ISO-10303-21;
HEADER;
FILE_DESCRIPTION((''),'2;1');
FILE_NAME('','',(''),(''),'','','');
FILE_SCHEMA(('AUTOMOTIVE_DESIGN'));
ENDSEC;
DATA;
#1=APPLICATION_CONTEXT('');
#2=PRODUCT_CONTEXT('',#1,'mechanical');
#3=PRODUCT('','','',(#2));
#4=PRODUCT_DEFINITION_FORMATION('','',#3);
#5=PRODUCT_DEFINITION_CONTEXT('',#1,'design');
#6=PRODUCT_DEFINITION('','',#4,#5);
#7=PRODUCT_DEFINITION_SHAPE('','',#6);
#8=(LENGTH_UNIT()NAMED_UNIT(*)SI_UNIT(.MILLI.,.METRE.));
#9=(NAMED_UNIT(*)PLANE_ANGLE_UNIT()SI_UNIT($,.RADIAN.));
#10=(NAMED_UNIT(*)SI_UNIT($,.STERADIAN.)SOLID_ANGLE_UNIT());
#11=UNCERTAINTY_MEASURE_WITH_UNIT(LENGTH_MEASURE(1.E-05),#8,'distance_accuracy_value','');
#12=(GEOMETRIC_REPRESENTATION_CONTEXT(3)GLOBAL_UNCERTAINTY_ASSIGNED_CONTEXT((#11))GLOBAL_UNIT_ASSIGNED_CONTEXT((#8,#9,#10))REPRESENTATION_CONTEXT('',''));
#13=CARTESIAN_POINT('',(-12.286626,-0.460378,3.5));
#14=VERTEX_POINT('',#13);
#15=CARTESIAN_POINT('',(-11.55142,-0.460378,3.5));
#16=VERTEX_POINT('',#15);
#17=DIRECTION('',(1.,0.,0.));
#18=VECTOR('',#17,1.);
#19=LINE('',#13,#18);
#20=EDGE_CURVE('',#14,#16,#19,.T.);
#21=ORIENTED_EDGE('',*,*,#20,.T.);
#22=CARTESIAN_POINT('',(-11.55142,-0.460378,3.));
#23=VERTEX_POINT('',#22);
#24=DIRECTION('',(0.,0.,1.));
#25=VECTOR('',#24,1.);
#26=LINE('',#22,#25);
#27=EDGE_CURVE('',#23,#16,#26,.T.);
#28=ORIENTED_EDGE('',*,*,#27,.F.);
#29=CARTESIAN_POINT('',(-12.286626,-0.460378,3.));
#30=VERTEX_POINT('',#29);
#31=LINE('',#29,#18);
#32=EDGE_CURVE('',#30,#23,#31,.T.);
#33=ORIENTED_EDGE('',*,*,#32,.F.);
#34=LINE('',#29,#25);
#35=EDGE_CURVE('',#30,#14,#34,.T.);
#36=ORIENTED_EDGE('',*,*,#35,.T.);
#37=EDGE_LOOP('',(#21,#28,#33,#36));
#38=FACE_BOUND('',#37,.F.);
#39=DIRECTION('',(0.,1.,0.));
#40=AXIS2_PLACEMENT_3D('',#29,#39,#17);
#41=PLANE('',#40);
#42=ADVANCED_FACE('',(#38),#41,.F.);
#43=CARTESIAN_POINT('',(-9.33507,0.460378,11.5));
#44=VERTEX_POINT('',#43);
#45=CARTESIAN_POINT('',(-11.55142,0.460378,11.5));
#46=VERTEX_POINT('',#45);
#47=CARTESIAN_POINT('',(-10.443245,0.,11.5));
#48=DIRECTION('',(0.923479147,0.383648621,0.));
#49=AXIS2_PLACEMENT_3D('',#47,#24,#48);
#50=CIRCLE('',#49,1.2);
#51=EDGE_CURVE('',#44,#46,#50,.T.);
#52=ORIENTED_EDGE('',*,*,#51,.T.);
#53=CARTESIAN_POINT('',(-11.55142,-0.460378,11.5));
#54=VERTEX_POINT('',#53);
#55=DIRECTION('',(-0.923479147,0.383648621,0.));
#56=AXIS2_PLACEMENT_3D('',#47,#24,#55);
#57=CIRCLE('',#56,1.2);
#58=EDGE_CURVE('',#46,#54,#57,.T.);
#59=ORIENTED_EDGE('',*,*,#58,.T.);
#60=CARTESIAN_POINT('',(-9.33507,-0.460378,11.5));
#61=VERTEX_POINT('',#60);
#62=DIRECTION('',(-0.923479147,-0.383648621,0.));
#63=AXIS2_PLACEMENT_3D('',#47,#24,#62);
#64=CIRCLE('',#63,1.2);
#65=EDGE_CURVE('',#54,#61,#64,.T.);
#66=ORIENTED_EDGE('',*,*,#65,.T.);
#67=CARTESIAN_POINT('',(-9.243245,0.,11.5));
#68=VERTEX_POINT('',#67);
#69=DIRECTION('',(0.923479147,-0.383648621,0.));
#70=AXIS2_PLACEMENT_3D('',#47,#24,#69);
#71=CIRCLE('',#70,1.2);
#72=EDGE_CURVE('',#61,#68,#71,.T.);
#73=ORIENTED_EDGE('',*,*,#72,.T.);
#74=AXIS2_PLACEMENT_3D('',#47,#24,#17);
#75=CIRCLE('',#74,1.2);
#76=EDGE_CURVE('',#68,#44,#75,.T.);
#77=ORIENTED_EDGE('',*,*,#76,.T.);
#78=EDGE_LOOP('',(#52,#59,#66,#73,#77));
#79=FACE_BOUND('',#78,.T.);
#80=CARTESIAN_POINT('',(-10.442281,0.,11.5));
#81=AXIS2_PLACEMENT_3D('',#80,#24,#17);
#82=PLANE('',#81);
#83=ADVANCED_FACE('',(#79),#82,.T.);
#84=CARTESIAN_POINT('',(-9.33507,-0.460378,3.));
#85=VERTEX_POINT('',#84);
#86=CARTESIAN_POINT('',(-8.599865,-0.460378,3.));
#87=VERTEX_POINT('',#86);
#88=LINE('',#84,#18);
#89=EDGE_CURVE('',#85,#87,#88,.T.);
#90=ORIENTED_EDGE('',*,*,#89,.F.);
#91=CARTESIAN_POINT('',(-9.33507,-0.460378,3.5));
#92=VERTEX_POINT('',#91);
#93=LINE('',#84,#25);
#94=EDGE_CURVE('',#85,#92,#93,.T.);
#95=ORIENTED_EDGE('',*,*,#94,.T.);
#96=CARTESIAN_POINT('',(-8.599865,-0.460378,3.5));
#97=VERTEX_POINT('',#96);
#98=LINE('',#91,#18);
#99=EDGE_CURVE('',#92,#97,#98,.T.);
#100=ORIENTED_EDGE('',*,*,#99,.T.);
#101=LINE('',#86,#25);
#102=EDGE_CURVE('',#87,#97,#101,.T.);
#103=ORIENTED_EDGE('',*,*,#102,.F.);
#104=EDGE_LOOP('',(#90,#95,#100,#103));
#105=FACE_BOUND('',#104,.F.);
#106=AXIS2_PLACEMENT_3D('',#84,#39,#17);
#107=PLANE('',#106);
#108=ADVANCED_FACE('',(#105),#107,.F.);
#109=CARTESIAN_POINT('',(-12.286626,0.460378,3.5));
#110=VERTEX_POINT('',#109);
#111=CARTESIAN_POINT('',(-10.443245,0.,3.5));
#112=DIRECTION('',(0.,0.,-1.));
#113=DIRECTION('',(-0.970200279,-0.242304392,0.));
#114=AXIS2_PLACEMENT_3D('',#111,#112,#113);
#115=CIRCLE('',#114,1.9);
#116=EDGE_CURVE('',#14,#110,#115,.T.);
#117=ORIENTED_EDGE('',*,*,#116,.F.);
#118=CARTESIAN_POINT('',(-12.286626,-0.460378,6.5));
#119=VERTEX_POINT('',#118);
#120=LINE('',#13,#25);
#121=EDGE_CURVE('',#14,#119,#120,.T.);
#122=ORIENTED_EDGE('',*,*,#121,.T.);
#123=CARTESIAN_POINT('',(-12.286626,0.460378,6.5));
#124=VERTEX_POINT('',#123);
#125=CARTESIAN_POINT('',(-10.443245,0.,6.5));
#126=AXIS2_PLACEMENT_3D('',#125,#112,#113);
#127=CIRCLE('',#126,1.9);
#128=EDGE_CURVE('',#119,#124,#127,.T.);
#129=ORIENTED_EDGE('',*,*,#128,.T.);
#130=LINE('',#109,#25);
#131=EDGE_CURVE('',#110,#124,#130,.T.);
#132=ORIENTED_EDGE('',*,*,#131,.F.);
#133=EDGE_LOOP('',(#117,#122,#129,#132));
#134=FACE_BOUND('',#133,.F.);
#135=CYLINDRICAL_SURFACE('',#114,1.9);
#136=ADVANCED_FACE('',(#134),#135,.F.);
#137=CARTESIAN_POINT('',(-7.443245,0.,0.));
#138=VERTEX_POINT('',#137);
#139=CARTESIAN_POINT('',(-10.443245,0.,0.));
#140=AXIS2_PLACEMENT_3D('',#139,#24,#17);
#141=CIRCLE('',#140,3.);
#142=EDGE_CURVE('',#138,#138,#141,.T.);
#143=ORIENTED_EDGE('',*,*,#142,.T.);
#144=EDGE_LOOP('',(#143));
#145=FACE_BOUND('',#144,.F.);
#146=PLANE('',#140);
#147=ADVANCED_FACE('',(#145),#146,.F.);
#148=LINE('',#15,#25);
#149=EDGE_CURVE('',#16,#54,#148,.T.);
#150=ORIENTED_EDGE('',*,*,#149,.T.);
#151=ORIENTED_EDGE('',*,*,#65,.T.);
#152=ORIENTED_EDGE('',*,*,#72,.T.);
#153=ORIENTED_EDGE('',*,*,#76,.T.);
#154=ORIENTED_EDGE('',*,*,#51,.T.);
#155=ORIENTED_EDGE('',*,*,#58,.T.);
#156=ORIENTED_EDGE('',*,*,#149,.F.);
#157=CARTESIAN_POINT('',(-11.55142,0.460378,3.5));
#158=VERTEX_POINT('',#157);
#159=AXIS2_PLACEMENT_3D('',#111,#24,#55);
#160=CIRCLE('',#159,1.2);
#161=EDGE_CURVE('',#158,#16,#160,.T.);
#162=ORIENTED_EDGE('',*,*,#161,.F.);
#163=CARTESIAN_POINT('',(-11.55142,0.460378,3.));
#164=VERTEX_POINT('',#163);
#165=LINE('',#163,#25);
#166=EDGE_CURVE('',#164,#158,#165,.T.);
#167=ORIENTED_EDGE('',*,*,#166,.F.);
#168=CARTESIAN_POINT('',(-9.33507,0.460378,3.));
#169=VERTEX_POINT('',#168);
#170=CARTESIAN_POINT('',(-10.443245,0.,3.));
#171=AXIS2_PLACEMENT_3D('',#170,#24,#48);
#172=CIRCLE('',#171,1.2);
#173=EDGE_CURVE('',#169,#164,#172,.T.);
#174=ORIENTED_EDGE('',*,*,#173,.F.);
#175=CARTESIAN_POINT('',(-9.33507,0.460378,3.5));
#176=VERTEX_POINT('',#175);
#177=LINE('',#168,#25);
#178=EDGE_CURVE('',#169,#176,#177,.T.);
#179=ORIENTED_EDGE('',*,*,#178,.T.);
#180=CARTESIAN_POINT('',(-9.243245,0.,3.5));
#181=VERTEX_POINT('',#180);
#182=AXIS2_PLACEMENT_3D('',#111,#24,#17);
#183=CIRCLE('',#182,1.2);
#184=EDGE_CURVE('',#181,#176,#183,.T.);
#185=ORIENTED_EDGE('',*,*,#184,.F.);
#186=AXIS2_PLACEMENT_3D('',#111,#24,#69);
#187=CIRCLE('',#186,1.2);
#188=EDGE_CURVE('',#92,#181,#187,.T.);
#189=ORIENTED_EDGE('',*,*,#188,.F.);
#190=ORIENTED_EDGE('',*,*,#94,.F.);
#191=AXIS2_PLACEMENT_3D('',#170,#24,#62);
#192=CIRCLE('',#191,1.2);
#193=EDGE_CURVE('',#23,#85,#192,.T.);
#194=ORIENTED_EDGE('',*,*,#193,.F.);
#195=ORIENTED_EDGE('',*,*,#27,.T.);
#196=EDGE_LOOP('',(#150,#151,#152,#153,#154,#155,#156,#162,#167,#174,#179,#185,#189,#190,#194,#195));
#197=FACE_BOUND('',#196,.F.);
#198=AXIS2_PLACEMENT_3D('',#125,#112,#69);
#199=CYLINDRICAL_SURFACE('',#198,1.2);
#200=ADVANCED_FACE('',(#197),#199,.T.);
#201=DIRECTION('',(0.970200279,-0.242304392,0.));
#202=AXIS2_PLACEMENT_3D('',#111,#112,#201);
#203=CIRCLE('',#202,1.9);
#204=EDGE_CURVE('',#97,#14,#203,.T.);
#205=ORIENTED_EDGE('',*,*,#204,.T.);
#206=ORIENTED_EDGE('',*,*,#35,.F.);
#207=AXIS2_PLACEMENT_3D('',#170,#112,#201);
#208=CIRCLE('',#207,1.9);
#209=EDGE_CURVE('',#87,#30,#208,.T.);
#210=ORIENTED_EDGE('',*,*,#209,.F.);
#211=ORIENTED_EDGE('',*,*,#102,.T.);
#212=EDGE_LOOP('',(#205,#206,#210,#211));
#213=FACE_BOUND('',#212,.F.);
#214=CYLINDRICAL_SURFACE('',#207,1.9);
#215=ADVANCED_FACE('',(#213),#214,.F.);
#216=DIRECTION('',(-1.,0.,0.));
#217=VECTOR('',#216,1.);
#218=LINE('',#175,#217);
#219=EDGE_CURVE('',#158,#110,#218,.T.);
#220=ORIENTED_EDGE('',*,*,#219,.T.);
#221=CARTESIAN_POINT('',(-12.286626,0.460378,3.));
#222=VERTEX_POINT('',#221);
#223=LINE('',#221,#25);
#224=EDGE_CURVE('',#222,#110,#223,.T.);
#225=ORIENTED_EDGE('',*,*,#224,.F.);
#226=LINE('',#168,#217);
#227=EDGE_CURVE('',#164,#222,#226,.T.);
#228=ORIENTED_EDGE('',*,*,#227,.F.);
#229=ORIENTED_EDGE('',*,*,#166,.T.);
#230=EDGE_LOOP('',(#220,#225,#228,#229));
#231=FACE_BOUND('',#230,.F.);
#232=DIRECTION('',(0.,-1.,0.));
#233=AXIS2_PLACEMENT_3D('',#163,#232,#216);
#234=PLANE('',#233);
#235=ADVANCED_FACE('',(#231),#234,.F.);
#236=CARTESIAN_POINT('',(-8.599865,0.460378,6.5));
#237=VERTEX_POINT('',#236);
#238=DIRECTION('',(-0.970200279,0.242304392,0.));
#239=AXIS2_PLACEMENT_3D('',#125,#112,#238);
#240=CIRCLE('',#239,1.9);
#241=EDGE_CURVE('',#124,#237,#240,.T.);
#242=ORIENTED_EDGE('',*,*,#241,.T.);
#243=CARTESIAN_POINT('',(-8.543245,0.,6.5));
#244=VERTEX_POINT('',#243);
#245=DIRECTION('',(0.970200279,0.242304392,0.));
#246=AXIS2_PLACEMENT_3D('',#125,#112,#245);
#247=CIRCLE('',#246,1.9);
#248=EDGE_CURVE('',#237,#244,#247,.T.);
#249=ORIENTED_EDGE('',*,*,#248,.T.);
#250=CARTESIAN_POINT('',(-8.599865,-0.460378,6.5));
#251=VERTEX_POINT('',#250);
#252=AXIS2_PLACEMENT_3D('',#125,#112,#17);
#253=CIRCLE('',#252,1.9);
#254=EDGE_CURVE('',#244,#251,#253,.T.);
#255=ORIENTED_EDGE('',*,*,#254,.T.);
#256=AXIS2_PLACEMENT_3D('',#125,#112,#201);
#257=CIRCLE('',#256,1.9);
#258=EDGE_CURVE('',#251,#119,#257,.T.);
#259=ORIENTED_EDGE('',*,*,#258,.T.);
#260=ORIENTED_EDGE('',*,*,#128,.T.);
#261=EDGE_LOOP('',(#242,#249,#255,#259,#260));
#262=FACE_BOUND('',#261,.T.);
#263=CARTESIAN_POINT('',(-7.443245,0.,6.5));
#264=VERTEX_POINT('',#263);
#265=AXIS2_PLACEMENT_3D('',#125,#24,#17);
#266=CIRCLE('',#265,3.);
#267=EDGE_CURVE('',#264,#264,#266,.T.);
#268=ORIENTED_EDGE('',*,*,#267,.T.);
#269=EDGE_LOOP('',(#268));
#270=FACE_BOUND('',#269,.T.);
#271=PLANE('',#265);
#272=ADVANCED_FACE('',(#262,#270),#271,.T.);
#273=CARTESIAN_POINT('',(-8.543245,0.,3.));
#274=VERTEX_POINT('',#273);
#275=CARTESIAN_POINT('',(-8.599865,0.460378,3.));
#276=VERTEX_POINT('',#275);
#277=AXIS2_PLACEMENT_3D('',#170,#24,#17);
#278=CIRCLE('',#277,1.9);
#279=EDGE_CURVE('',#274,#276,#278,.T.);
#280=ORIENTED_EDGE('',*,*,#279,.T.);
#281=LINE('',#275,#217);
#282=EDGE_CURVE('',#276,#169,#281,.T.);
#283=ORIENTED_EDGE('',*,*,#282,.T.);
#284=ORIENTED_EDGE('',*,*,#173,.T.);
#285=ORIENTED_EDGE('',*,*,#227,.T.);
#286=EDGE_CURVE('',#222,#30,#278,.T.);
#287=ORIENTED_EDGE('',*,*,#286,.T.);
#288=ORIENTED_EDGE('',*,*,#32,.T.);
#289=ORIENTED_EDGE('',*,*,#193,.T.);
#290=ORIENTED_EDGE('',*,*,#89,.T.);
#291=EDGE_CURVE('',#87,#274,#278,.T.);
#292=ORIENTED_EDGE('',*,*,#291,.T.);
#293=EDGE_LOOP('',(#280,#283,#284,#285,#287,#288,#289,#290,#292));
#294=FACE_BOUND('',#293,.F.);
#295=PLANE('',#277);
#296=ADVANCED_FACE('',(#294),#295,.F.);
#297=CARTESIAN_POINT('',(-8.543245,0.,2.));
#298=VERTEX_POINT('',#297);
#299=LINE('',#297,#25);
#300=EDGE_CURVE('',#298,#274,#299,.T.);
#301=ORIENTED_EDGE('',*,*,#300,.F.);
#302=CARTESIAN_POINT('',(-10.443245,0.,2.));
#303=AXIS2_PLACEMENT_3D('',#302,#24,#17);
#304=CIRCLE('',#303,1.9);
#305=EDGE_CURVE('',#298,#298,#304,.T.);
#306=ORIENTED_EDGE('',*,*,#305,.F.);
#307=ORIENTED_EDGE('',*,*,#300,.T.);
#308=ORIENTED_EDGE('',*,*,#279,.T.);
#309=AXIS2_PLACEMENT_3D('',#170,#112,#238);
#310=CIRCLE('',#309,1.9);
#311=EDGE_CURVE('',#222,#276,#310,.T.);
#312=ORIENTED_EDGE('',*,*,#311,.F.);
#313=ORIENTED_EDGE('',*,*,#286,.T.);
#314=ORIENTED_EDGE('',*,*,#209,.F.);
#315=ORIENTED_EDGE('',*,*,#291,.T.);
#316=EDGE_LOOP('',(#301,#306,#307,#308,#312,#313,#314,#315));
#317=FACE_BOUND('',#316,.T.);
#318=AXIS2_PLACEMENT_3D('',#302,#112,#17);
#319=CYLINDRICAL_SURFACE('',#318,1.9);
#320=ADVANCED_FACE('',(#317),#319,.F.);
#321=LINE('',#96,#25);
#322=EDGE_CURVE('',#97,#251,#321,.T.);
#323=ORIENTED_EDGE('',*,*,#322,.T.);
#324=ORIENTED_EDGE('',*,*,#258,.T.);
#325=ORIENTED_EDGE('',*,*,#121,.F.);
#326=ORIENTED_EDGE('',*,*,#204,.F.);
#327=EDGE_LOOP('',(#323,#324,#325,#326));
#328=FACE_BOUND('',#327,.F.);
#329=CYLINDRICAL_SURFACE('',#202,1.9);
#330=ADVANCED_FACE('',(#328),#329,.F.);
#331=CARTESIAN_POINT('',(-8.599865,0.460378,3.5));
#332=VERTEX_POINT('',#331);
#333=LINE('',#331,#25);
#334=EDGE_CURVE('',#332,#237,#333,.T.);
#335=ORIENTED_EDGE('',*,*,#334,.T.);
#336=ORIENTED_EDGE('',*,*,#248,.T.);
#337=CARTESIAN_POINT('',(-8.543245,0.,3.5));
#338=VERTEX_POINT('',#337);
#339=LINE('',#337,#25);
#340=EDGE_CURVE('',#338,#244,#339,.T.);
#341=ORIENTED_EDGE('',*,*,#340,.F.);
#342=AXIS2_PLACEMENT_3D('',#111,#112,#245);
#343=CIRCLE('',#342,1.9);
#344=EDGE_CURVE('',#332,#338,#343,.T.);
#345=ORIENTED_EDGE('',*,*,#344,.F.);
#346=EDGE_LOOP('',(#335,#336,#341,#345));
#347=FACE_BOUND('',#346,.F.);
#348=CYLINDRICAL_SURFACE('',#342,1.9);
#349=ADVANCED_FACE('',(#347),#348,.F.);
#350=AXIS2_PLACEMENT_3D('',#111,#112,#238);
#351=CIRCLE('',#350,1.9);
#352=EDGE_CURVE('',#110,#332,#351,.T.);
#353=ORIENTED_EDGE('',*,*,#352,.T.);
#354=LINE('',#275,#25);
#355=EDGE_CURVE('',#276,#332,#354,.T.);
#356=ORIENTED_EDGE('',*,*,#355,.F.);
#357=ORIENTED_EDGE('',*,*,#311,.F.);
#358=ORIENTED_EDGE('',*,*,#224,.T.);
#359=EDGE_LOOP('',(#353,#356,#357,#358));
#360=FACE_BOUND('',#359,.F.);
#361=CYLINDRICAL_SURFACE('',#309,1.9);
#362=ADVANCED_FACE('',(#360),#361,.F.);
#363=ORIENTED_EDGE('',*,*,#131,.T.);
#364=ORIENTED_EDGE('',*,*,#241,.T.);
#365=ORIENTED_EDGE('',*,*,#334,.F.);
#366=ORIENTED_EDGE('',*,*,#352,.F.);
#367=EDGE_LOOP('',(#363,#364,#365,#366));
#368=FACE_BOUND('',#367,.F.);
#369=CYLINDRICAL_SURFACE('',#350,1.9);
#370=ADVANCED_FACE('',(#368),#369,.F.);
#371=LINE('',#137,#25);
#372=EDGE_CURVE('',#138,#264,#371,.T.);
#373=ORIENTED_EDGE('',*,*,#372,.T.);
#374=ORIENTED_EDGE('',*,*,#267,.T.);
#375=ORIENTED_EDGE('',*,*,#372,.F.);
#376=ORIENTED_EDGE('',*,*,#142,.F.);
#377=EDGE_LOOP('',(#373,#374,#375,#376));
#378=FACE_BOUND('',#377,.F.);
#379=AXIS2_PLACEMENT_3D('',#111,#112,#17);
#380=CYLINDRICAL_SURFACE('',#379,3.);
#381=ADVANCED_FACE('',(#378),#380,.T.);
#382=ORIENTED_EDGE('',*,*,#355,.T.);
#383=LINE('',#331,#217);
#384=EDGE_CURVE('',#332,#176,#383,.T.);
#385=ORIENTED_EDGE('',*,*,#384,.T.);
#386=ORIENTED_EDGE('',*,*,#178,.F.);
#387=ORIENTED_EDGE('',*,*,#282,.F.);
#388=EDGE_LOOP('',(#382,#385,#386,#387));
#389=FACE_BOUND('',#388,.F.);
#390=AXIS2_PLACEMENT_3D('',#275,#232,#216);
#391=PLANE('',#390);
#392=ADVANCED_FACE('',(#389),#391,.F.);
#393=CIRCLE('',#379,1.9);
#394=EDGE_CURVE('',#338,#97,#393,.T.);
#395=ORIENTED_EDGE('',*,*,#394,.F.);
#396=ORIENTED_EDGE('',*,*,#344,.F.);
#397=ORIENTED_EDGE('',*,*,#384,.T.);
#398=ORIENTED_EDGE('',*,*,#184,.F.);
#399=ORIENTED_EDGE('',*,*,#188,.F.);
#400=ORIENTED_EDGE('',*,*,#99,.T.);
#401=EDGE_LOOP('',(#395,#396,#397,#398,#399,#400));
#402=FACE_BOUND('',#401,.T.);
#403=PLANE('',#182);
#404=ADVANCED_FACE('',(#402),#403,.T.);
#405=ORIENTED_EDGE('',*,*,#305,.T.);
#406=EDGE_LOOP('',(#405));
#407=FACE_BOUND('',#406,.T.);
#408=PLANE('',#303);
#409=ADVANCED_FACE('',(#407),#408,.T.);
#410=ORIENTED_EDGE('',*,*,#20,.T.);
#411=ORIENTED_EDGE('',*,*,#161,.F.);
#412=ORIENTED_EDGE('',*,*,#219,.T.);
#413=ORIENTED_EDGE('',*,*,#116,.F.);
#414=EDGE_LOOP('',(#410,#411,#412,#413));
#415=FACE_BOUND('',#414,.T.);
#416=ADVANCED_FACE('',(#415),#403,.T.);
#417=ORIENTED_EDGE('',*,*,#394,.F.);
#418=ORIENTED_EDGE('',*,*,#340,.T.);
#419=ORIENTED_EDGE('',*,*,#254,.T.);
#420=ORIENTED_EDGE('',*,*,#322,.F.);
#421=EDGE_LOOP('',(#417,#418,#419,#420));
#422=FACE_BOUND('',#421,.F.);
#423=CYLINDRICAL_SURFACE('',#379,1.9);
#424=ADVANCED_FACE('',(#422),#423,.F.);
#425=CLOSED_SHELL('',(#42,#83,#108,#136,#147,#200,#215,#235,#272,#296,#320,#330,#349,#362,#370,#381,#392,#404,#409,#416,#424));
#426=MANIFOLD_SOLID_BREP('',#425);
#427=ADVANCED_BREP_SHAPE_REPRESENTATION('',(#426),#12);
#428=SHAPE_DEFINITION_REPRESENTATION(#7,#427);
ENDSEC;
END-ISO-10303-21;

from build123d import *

# Parameters (mm, degrees)
F0_R     = 3
F0_R_2   = 1.9
F0_R_3   = 1.2
F1_DEPTH = 2
F2_R     = 3
F2_R_2   = 1.9
F3_DEPTH = 1
F4_R     = 3
F5_DEPTH = 0.5
F6_R     = 3
F7_DEPTH = 3
F8_DEPTH = 5


with BuildPart() as f1:
    # F0 (on Top) → F1 (new body)
    with BuildSketch(Plane.XY):
        with Locations((-10.4432452041, 0)):
            Circle(F0_R)
        with Locations((-10.4432452041, 0)):
            Circle(F0_R_2, mode=Mode.SUBTRACT)
        with Locations((-10.4432452041, 0)):
            Circle(F0_R_2)
        with Locations((-10.4432452041, 0)):
            Circle(F0_R_3, mode=Mode.SUBTRACT)
        with Locations((-10.4432452041, 0)):
            Circle(F0_R_3)
    extrude(amount=F1_DEPTH)

    # F2 (on face) → F3 (join)
    with BuildSketch(Plane.XY.offset(2)):
        with Locations((-10.4432452041, 0)):
            Circle(F2_R)
        with Locations((-10.4432452041, 0)):
            Circle(F2_R_2, mode=Mode.SUBTRACT)
    extrude(amount=F3_DEPTH)

    # F4 (on face) → F5 (join)
    with BuildSketch(Plane.XY.offset(3)):
        with Locations((-10.4432452041, 0)):
            Circle(F4_R)
        with BuildLine():
            ThreePointArc((-12.2866257343, 0.4603783455), (-10.4432452041, 1.9), (-8.5998646739, 0.4603783455))
            Line((-8.5998646739, 0.4603783455), (-7.8815174605, 0.4603783455))
            Line((-7.8815174605, 0.4603783455), (-7.8815174605, -0.4603783455))
            Line((-7.8815174605, -0.4603783455), (-8.5998646739, -0.4603783455))
            ThreePointArc((-8.5998646739, -0.4603783455), (-10.4432452041, -1.9), (-12.2866257343, -0.4603783455))
            Line((-12.2866257343, -0.4603783455), (-12.7640617396, -0.4603783455))
            Line((-12.7640617396, -0.4603783455), (-12.7640617396, 0.4603783455))
            Line((-12.7640617396, 0.4603783455), (-12.2866257343, 0.4603783455))
        make_face(mode=Mode.SUBTRACT)
        with BuildLine():
            ThreePointArc((-12.2866257343, -0.4603783455), (-12.3432452041, 0), (-12.2866257343, 0.4603783455))
            Line((-12.2866257343, 0.4603783455), (-12.7640617396, 0.4603783455))
            Line((-12.7640617396, 0.4603783455), (-12.7640617396, -0.4603783455))
            Line((-12.7640617396, -0.4603783455), (-12.2866257343, -0.4603783455))
        make_face()
        with BuildLine():
            ThreePointArc((-11.5514201808, -0.4603783455), (-11.6432452041, 0), (-11.5514201808, 0.4603783455))
            Line((-11.5514201808, 0.4603783455), (-12.2866257343, 0.4603783455))
            ThreePointArc((-12.2866257343, 0.4603783455), (-12.3432452041, 0), (-12.2866257343, -0.4603783455))
            Line((-12.2866257343, -0.4603783455), (-11.5514201808, -0.4603783455))
        make_face()
        with BuildLine():
            ThreePointArc((-9.3350702274, -0.4603783455), (-9.2664253428, -0.234723271), (-9.2432452041, 0))
            ThreePointArc((-9.2432452041, 0), (-9.2664253428, 0.234723271), (-9.3350702274, 0.4603783455))
            Line((-9.3350702274, 0.4603783455), (-11.5514201808, 0.4603783455))
            ThreePointArc((-11.5514201808, 0.4603783455), (-11.6432452041, 0), (-11.5514201808, -0.4603783455))
            Line((-11.5514201808, -0.4603783455), (-9.3350702274, -0.4603783455))
        make_face()
        with BuildLine():
            Line((-11.5514201808, 0.4603783455), (-9.3350702274, 0.4603783455))
            ThreePointArc((-9.3350702274, 0.4603783455), (-10.4432452041, 1.2), (-11.5514201808, 0.4603783455))
        make_face()
        with BuildLine():
            ThreePointArc((-11.5514201808, -0.4603783455), (-10.4432452041, -1.2), (-9.3350702274, -0.4603783455))
            Line((-9.3350702274, -0.4603783455), (-11.5514201808, -0.4603783455))
        make_face()
        with BuildLine():
            ThreePointArc((-9.3350702274, 0.4603783455), (-9.2664253428, 0.234723271), (-9.2432452041, 0))
            ThreePointArc((-9.2432452041, 0), (-9.2664253428, -0.234723271), (-9.3350702274, -0.4603783455))
            Line((-9.3350702274, -0.4603783455), (-8.5998646739, -0.4603783455))
            ThreePointArc((-8.5998646739, -0.4603783455), (-8.5574531944, -0.2319234708), (-8.5432452041, 0))
            ThreePointArc((-8.5432452041, 0), (-8.5574531944, 0.2319234708), (-8.5998646739, 0.4603783455))
            Line((-8.5998646739, 0.4603783455), (-9.3350702274, 0.4603783455))
        make_face()
        with BuildLine():
            Line((-7.8815174605, 0.4603783455), (-8.5998646739, 0.4603783455))
            ThreePointArc((-8.5998646739, 0.4603783455), (-8.5574531944, 0.2319234708), (-8.5432452041, 0))
            ThreePointArc((-8.5432452041, 0), (-8.5574531944, -0.2319234708), (-8.5998646739, -0.4603783455))
            Line((-8.5998646739, -0.4603783455), (-7.8815174605, -0.4603783455))
            Line((-7.8815174605, -0.4603783455), (-7.8815174605, 0.4603783455))
        make_face()
    extrude(amount=F5_DEPTH)

    # F6 (on face) → F7 (join)
    with BuildSketch(Plane.XY.offset(3.5)):
        with Locations((-10.4432452041, 0)):
            Circle(F6_R)
        with BuildLine():
            ThreePointArc((-12.2866257343, 0.4603783455), (-10.4432452041, 1.9), (-8.5998646739, 0.4603783455))
            ThreePointArc((-8.5998646739, 0.4603783455), (-8.5574531944, 0.2319234708), (-8.5432452041, 0))
            ThreePointArc((-8.5432452041, 0), (-8.5574531944, -0.2319234708), (-8.5998646739, -0.4603783455))
            ThreePointArc((-8.5998646739, -0.4603783455), (-10.4432452041, -1.9), (-12.2866257343, -0.4603783455))
            ThreePointArc((-12.2866257343, -0.4603783455), (-12.3432452041, 0), (-12.2866257343, 0.4603783455))
        make_face(mode=Mode.SUBTRACT)
        with BuildLine():
            ThreePointArc((-9.3350702274, -0.4603783455), (-9.2664253428, -0.234723271), (-9.2432452041, 0))
            ThreePointArc((-9.2432452041, 0), (-9.2664253428, 0.234723271), (-9.3350702274, 0.4603783455))
            ThreePointArc((-9.3350702274, 0.4603783455), (-10.4432452041, 1.2), (-11.5514201808, 0.4603783455))
            ThreePointArc((-11.5514201808, 0.4603783455), (-11.6432452041, 0), (-11.5514201808, -0.4603783455))
            ThreePointArc((-11.5514201808, -0.4603783455), (-10.4432452041, -1.2), (-9.3350702274, -0.4603783455))
        make_face()
    extrude(amount=F7_DEPTH)

    # F8 (add): a face of the model
    f8_faces = [f1.faces().sort_by_distance(p)[0] for p in [
        (-10.4432452041, 0, 6.5),
    ]]
    extrude(f8_faces, amount=F8_DEPTH)


solid = f1.part
